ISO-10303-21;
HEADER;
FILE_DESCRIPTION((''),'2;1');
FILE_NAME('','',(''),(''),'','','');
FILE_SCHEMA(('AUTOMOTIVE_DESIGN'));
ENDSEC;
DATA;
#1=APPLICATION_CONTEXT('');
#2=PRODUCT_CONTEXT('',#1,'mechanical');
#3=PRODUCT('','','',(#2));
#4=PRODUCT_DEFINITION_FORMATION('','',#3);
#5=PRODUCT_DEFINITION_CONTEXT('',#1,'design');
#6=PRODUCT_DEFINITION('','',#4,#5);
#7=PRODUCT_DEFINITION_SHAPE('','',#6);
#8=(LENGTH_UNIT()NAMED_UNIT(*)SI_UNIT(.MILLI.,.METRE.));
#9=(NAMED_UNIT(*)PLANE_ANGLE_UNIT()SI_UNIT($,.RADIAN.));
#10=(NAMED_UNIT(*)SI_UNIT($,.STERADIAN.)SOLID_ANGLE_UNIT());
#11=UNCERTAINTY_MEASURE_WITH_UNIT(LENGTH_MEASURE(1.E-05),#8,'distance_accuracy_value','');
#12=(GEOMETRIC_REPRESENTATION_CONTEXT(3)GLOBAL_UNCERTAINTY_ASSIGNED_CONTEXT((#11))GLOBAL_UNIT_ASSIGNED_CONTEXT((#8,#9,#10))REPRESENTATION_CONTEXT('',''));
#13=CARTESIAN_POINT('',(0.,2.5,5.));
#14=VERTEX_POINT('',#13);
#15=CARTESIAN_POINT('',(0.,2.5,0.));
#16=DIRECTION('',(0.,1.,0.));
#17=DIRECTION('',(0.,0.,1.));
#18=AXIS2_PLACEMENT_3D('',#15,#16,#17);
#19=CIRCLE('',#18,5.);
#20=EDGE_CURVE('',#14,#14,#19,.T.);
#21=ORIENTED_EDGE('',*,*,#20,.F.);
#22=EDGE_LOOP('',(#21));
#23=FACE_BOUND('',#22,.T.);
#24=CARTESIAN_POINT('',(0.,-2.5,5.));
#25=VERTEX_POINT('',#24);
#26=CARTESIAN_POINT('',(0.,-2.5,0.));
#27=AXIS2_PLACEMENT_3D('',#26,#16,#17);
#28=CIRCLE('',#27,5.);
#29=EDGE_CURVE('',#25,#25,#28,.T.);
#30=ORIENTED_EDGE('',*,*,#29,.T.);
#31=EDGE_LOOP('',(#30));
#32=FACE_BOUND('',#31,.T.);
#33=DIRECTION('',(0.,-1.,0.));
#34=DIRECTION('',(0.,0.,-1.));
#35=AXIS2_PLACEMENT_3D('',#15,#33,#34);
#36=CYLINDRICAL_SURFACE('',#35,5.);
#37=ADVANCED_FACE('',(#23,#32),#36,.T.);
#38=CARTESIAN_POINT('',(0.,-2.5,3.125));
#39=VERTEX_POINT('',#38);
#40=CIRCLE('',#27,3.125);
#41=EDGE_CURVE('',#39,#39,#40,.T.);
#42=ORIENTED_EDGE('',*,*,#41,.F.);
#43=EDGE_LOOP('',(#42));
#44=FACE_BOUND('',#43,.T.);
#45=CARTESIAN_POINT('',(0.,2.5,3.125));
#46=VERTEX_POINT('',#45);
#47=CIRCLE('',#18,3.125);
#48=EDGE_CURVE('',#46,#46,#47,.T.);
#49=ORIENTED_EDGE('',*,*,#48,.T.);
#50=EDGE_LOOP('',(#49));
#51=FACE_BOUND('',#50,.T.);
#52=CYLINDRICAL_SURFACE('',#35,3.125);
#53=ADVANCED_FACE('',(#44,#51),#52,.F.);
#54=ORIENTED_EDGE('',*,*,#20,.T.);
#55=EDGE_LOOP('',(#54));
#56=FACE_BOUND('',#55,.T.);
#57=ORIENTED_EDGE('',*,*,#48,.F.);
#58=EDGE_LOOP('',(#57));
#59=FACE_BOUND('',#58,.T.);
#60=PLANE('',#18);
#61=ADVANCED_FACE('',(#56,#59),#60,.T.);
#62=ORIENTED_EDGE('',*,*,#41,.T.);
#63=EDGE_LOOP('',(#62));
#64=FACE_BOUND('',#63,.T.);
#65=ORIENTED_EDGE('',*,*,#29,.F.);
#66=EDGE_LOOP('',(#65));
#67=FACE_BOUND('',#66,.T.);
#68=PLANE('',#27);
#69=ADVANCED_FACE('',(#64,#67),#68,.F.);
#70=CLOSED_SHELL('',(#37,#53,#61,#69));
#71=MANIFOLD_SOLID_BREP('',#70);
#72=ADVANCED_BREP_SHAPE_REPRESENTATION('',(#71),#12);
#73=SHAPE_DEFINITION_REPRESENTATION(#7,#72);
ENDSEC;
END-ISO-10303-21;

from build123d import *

# Parameters (mm, degrees)
SKETCH1_R           = 5
SKETCH1_R_2         = 3.125
BOSS_EXTRUDE1_DEPTH = 2.5


with BuildPart() as part:
    # Sketch1 → Boss-Extrude1 (new body, symmetric)
    with BuildSketch(Plane(origin=(0, 0, 0), x_dir=(1, 0, 0), z_dir=(0, 1, 0))):
        Circle(SKETCH1_R)
        Circle(SKETCH1_R_2, mode=Mode.SUBTRACT)
    extrude(amount=BOSS_EXTRUDE1_DEPTH, both=True)


solid = part.part
